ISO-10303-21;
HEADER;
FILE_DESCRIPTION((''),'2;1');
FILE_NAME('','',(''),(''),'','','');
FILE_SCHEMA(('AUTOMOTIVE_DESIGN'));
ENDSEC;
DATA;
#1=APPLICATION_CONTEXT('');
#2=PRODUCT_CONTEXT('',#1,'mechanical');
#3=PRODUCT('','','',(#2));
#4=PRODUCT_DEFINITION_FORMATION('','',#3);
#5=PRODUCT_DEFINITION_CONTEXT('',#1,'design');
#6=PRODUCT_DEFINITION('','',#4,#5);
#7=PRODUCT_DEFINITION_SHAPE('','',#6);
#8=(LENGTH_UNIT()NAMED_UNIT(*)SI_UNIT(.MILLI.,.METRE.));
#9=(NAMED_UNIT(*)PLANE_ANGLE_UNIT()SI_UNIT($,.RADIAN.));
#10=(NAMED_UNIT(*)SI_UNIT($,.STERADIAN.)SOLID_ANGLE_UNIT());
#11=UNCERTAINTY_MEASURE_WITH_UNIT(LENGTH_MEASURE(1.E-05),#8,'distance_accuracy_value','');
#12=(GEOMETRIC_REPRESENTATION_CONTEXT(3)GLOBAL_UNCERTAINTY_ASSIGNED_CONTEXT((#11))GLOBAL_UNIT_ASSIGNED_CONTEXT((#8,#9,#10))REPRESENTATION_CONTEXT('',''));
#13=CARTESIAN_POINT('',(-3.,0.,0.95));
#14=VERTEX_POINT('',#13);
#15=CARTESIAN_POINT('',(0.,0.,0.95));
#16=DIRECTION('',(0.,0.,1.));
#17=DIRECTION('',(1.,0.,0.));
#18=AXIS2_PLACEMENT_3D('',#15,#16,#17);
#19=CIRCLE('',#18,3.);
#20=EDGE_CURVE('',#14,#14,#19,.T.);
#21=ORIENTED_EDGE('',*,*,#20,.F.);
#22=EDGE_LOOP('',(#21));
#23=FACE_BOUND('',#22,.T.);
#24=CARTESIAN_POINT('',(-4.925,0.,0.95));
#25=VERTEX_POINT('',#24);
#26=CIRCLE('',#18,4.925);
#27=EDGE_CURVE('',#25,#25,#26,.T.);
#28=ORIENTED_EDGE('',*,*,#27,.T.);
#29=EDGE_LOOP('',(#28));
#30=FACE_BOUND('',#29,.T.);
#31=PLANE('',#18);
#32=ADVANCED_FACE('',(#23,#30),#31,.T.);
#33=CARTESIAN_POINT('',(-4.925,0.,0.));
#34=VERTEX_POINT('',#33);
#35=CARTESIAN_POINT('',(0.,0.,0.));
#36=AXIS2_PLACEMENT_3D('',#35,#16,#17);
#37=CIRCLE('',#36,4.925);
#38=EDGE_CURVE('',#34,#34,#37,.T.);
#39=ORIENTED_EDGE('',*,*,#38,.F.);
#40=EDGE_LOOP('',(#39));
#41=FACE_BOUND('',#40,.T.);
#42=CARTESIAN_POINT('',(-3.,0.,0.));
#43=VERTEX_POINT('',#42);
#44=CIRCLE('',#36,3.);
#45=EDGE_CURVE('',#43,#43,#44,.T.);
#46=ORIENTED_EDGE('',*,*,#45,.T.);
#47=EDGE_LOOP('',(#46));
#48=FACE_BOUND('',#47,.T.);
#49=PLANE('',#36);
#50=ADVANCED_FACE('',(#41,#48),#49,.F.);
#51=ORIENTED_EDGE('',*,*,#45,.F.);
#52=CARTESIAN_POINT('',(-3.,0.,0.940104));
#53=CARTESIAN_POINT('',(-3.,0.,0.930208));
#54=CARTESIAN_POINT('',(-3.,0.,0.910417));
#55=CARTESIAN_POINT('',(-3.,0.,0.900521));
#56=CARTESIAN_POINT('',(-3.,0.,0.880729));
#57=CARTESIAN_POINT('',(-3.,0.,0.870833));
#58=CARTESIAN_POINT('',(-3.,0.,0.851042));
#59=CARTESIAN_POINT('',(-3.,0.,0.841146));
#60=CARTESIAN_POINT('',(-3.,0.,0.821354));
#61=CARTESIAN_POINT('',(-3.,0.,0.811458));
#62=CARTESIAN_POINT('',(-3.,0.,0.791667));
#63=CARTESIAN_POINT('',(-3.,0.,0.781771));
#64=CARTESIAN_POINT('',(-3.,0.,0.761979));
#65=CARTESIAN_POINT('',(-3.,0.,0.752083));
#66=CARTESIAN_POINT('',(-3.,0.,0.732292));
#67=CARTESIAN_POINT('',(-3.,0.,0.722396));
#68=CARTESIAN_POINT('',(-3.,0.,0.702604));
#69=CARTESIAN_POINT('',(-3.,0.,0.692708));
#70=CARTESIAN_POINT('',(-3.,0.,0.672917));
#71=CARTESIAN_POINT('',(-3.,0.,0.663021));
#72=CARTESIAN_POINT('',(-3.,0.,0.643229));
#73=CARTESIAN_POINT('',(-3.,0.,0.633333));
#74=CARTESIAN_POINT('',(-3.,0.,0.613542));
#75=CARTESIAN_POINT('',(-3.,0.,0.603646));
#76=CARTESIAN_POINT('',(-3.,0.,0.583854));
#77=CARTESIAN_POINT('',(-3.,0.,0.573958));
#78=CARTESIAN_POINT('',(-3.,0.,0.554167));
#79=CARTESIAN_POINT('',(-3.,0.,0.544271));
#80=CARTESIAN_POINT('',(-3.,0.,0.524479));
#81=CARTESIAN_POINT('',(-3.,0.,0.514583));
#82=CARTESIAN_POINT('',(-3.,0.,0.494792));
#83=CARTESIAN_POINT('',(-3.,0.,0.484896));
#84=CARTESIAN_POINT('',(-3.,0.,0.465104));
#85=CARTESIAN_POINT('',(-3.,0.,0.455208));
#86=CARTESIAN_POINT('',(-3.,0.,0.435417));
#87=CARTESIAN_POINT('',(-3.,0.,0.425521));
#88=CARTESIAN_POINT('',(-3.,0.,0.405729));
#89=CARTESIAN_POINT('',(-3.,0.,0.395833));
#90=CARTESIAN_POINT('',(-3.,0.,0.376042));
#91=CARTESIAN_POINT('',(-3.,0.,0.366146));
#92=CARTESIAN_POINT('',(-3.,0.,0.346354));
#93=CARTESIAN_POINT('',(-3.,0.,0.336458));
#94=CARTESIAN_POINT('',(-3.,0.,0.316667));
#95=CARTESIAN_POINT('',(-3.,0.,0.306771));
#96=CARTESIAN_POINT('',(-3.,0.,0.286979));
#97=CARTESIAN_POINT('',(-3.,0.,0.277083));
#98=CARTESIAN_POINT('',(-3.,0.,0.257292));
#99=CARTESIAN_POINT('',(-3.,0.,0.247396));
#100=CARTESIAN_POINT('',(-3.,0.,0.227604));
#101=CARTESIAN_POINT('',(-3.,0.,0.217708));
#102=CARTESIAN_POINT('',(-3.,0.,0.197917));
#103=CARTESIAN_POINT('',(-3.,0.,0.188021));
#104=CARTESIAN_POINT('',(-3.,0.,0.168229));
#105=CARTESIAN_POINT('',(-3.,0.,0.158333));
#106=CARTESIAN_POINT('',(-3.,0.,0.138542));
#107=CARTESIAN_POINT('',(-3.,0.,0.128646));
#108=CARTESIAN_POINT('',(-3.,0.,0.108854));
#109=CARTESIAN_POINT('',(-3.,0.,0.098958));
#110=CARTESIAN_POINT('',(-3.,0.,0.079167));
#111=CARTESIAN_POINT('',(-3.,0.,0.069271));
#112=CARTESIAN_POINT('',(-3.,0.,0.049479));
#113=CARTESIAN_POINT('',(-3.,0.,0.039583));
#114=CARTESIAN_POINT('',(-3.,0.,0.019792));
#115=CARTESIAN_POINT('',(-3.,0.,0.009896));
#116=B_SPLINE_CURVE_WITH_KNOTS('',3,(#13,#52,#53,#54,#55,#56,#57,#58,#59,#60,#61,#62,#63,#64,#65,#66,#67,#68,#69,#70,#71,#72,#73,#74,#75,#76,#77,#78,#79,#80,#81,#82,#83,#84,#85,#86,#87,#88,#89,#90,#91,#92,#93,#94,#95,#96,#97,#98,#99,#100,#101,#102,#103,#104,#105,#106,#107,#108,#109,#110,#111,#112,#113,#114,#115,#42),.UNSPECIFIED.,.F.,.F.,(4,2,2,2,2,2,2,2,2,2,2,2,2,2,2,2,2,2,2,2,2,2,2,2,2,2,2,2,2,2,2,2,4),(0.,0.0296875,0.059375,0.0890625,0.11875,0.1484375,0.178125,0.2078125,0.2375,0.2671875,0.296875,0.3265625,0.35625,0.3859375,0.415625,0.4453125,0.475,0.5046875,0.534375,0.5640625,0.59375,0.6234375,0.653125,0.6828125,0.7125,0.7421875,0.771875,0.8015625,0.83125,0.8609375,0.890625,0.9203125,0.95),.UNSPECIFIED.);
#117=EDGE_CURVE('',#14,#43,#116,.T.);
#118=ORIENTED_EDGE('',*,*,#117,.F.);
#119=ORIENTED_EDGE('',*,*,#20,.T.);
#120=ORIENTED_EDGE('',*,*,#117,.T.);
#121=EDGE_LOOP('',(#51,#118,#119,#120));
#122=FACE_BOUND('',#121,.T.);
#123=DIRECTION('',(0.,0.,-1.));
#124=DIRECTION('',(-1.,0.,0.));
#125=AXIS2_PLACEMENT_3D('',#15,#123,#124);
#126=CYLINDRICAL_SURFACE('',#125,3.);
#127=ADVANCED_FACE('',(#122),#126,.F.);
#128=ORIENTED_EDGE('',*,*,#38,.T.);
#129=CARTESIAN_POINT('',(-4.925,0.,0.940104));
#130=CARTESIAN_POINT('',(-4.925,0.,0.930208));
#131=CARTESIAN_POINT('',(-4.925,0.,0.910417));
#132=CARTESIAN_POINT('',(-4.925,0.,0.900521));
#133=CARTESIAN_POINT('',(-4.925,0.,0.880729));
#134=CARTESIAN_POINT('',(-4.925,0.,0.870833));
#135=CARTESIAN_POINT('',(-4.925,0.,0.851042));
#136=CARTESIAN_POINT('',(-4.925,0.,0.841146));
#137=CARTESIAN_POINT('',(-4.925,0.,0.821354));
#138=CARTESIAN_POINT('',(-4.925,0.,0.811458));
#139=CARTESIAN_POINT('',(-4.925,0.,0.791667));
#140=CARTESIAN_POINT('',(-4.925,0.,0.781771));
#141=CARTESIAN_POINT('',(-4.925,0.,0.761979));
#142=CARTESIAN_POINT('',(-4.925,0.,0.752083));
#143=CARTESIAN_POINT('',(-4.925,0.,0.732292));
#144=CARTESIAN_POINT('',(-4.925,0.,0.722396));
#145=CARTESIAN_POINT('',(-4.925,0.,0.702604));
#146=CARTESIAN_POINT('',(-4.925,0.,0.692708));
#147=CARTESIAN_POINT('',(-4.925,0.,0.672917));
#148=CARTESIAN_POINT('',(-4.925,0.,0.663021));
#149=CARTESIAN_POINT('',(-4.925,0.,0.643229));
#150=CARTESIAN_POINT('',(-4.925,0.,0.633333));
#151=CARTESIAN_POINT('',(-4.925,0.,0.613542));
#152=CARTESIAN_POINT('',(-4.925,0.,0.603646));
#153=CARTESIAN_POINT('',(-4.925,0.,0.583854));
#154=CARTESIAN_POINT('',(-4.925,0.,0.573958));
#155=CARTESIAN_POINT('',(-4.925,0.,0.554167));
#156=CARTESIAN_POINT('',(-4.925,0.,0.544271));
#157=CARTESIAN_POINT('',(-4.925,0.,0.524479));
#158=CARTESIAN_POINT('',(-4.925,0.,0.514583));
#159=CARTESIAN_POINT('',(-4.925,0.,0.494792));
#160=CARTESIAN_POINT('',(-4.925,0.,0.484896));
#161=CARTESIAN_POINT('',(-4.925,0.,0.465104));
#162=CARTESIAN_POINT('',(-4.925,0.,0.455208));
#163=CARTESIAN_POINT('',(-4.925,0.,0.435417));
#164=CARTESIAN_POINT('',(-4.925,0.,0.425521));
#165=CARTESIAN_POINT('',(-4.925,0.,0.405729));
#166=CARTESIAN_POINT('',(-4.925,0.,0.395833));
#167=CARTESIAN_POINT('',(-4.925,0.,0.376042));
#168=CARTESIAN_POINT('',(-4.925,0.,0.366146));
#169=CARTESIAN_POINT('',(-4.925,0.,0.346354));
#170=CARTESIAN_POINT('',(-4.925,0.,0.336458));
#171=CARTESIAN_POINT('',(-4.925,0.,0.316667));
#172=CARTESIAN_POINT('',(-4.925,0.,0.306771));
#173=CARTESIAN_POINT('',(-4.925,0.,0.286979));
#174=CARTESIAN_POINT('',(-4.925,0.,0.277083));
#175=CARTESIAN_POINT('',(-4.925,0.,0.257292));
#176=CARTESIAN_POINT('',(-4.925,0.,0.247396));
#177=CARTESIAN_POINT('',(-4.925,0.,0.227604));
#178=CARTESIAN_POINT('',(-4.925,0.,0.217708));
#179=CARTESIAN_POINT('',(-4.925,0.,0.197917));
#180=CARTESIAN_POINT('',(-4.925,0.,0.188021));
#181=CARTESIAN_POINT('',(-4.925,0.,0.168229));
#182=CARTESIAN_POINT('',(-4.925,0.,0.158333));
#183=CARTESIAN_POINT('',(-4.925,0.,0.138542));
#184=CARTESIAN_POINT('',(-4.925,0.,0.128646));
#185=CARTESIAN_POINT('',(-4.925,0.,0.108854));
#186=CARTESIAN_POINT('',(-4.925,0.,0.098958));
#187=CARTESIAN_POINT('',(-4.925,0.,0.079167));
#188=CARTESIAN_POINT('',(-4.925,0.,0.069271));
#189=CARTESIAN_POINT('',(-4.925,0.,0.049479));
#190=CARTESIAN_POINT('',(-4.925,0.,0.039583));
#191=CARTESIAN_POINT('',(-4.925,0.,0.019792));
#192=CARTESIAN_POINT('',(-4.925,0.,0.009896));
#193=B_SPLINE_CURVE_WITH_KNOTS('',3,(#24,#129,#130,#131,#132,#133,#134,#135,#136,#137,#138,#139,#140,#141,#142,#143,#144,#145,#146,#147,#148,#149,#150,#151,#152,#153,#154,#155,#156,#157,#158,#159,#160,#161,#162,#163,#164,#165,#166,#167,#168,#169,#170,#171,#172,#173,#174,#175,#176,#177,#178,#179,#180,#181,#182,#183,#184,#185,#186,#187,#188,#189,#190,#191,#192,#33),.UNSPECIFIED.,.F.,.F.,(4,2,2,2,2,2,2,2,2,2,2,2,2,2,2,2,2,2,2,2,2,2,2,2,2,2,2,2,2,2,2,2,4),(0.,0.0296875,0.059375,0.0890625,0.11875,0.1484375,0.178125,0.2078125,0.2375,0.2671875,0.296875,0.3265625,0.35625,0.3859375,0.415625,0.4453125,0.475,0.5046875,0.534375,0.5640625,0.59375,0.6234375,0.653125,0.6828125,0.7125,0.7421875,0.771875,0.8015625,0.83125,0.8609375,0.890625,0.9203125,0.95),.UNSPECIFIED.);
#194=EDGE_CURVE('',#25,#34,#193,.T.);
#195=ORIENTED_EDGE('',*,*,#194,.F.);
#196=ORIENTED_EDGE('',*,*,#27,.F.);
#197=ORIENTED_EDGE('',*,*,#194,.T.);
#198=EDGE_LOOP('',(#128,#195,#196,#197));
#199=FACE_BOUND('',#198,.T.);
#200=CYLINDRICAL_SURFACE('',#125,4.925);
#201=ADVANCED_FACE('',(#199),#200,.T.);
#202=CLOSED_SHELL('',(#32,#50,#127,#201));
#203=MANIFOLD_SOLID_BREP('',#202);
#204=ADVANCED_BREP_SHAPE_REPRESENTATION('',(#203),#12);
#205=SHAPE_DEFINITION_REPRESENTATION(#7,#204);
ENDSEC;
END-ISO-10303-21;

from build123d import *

# Parameters (mm, degrees)
SKIZZE1_R                       = 4.925
SKIZZE1_R_2                     = 3
AUFSATZ_LINEAR_AUSTRAGEN1_DEPTH = 0.95


with BuildPart() as part:
    # Skizze1 → Aufsatz-Linear austragen1 (new body)
    with BuildSketch(Plane.XY):
        with Locations(Location((0, 0, 0), (0, 0, 180))):
            Circle(SKIZZE1_R)
        with Locations(Location((0, 0, 0), (0, 0, 180))):
            Circle(SKIZZE1_R_2, mode=Mode.SUBTRACT)
    extrude(amount=AUFSATZ_LINEAR_AUSTRAGEN1_DEPTH)


solid = part.part
